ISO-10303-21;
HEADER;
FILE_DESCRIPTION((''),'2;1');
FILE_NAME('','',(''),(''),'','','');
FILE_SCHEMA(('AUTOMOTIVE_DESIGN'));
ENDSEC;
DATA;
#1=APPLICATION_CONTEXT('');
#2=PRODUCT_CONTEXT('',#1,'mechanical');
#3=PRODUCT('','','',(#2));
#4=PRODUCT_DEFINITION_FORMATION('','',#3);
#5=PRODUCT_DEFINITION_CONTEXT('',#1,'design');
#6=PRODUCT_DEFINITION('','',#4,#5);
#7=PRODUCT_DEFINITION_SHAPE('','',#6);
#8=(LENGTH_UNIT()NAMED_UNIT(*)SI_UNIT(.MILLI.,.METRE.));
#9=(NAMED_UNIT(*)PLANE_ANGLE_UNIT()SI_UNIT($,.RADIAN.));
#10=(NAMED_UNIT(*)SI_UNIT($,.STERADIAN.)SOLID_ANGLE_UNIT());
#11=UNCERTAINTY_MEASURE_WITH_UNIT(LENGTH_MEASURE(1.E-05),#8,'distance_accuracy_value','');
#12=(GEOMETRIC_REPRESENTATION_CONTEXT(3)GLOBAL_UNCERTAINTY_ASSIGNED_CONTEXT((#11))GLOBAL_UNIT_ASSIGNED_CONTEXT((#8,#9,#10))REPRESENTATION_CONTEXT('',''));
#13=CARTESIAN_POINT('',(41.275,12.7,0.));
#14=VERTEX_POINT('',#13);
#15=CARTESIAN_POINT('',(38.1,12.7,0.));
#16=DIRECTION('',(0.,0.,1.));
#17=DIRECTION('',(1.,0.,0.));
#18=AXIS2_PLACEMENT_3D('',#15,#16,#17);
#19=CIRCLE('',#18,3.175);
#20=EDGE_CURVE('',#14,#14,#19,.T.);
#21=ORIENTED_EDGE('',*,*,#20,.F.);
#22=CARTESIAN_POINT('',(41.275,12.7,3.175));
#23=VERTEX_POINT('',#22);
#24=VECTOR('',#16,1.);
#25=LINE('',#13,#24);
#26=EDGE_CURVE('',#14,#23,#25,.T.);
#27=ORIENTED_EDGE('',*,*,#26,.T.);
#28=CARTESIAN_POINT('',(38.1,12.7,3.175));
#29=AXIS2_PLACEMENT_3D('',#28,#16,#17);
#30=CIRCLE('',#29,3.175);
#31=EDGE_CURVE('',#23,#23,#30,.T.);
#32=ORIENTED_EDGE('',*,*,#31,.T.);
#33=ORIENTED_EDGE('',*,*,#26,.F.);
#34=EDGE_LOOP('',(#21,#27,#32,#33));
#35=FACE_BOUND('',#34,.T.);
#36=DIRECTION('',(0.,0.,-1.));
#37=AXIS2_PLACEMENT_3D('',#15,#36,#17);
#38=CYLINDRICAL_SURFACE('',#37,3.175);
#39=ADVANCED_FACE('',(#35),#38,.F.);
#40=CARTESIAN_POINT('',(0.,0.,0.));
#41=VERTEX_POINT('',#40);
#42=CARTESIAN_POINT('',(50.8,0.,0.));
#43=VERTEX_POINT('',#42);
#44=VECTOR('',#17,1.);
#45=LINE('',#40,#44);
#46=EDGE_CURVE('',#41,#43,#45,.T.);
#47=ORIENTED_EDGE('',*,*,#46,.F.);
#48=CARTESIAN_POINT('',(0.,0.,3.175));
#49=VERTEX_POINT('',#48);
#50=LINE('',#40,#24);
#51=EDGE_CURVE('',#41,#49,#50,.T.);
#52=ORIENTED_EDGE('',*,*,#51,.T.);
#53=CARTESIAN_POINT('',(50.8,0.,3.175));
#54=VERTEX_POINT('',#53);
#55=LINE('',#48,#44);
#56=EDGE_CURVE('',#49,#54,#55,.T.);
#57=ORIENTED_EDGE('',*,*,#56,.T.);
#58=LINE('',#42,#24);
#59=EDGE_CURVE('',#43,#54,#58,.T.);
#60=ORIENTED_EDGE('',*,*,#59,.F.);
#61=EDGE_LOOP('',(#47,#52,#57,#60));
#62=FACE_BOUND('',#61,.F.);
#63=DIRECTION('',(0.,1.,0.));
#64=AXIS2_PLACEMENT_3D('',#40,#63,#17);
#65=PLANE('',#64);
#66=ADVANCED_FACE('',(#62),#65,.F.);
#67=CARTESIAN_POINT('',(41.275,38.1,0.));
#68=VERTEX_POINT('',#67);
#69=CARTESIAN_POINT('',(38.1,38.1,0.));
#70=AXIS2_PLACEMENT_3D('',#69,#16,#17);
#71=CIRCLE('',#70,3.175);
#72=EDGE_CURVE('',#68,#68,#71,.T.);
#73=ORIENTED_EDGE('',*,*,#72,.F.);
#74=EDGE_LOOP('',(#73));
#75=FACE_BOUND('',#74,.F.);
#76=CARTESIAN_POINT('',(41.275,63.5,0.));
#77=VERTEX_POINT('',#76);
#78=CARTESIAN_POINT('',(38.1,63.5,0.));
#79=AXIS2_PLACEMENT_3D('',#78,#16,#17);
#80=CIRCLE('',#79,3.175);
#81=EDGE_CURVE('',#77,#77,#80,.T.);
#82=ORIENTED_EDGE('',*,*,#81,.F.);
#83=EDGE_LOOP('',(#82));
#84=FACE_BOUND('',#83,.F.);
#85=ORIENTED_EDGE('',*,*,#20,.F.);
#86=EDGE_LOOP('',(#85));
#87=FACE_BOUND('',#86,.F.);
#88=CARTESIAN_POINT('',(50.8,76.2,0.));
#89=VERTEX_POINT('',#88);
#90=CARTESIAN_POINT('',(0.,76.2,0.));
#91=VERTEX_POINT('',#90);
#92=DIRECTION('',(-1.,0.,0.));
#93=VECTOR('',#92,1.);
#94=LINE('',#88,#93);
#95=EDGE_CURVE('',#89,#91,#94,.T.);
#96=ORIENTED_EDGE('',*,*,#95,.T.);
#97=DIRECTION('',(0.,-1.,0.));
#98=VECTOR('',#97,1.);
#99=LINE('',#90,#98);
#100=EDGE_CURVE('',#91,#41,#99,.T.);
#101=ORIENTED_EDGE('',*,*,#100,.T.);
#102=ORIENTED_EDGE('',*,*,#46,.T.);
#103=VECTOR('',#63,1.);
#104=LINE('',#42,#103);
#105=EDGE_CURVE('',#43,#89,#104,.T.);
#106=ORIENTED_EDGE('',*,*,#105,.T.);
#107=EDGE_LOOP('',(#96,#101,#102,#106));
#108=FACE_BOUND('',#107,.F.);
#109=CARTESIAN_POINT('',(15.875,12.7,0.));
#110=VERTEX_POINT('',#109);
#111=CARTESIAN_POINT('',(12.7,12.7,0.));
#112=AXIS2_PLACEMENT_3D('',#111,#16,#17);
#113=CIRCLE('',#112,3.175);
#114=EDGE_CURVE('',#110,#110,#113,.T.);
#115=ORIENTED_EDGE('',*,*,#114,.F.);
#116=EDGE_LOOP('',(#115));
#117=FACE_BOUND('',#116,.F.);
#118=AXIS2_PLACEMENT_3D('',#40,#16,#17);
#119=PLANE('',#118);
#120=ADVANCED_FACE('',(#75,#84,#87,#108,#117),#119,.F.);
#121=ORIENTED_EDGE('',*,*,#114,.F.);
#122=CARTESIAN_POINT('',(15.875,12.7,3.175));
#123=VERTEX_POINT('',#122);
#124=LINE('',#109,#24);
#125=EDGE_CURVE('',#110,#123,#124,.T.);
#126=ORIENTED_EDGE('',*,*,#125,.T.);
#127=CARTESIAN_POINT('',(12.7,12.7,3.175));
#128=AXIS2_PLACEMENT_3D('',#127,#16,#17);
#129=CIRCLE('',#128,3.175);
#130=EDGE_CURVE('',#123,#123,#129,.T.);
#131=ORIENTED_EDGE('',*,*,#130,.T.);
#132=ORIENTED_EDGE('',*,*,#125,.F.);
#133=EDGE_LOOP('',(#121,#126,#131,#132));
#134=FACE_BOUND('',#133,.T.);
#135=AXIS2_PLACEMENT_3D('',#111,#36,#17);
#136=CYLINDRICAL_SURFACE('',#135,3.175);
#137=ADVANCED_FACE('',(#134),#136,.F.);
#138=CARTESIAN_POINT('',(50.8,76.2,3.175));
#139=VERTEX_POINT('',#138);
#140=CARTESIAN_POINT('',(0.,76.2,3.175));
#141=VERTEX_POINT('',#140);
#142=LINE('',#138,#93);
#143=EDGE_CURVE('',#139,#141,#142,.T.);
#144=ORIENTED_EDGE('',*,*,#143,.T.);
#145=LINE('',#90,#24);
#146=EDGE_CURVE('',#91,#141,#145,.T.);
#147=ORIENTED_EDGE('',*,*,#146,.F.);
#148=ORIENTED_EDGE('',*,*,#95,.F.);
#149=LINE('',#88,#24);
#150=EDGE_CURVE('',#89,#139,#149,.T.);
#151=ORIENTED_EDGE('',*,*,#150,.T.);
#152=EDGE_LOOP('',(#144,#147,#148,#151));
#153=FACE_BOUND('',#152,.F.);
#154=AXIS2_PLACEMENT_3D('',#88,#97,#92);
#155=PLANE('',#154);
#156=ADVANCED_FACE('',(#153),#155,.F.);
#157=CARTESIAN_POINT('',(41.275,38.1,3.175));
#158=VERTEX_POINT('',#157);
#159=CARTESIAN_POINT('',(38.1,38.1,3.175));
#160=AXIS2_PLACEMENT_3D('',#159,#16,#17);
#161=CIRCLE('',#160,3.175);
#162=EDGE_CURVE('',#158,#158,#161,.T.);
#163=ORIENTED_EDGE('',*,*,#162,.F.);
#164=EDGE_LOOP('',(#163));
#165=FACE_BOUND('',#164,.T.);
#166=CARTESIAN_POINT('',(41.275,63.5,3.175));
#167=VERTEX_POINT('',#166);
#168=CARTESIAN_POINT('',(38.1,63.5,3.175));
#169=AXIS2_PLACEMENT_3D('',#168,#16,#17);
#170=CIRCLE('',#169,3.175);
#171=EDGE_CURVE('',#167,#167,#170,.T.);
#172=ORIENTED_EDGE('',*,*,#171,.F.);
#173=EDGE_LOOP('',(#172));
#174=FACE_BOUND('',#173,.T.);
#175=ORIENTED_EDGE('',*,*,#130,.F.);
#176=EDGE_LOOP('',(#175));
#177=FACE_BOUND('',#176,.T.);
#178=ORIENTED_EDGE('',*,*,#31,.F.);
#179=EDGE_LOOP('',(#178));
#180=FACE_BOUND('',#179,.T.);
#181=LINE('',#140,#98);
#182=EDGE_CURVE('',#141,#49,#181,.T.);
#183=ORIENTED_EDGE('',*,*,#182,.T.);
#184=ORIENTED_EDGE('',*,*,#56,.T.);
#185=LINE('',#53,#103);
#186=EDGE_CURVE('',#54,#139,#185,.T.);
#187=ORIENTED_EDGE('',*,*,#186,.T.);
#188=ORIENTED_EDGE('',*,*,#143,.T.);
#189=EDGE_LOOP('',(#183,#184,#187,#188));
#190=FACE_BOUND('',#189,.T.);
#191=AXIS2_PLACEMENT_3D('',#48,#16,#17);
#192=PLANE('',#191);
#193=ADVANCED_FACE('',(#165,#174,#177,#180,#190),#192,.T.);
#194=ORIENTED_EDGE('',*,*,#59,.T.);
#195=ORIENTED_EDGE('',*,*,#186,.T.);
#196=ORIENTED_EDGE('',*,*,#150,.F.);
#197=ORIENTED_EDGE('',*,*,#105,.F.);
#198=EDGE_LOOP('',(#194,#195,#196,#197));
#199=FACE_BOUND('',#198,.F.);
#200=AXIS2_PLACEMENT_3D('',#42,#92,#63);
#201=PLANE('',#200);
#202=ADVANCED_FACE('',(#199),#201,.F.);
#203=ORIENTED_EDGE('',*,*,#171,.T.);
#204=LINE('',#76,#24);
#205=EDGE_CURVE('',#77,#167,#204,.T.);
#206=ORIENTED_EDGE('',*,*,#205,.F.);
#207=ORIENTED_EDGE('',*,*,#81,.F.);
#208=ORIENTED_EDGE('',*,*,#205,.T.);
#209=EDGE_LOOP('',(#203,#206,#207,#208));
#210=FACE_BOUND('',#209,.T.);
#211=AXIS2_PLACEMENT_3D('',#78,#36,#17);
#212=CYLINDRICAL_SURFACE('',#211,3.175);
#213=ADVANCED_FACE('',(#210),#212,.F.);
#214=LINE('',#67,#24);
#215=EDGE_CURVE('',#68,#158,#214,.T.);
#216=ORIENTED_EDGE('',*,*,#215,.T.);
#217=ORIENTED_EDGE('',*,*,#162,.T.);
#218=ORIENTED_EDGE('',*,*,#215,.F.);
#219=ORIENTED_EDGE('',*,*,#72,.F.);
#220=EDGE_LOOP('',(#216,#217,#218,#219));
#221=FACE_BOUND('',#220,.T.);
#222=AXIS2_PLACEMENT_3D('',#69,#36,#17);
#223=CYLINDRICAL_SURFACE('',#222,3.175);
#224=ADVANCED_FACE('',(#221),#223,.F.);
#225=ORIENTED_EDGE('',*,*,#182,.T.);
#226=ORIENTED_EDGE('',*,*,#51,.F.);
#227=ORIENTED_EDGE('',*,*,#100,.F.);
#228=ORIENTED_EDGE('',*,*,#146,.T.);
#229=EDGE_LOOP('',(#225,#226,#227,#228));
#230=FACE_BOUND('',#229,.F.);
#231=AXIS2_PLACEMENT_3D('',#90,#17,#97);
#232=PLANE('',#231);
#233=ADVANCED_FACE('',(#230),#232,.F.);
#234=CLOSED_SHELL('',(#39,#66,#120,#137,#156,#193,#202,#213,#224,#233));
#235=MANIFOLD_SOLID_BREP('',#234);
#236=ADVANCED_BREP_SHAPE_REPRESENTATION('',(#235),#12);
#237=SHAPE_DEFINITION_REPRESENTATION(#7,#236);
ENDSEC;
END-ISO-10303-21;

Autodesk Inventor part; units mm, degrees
ref_plane "YZ Plane" through (0, 0, 0) normal (1, 0, 0) x (0, 1, 0)
ref_plane "XZ Plane" through (0, 0, 0) normal (0, 1, 0) x (-1, 0, 0)
ref_plane "XY Plane" through (0, 0, 0) normal (0, 0, 1) x (1, 0, 0)
sketch "Sketch1" plane through (0, 0, 0) normal (0, 0, 1) x (1, 0, 0)
  line L0 (0, 0) -> (50.8, 0)
  line L1 (50.8, 0) -> (50.8, 76.2)
  line L2 (50.8, 76.2) -> (0, 76.2)
  line L3 (0, 76.2) -> (0, 0)
  circle A0 centre (12.7, 12.7) radius 3.175
  circle A1 centre (38.1, 12.7) radius 3.175
  circle A2 centre (38.1, 63.5) radius 3.175
  circle A3 centre (38.1, 38.1) radius 3.175
  dimension "d0" = 50.8
  dimension "d1" = 76.2
  dimension "d2" = 6.35
  dimension "d3" = 12.7
  dimension "d4" = 12.7
  dimension "d5" = 6.35
  dimension "d6" = 25.4
  dimension "d7" = 12.7
  dimension "d8" = 6.35
  dimension "d9" = 6.35
  dimension "d10" = 12.7
  dimension "d11" = 12.7
  dimension "d12" = 12.7
  dimension "d13" = 25.4
extrude "Extrusion1" add sketch "Sketch1" along normal blind 3.175
properties part number "gusset w"
